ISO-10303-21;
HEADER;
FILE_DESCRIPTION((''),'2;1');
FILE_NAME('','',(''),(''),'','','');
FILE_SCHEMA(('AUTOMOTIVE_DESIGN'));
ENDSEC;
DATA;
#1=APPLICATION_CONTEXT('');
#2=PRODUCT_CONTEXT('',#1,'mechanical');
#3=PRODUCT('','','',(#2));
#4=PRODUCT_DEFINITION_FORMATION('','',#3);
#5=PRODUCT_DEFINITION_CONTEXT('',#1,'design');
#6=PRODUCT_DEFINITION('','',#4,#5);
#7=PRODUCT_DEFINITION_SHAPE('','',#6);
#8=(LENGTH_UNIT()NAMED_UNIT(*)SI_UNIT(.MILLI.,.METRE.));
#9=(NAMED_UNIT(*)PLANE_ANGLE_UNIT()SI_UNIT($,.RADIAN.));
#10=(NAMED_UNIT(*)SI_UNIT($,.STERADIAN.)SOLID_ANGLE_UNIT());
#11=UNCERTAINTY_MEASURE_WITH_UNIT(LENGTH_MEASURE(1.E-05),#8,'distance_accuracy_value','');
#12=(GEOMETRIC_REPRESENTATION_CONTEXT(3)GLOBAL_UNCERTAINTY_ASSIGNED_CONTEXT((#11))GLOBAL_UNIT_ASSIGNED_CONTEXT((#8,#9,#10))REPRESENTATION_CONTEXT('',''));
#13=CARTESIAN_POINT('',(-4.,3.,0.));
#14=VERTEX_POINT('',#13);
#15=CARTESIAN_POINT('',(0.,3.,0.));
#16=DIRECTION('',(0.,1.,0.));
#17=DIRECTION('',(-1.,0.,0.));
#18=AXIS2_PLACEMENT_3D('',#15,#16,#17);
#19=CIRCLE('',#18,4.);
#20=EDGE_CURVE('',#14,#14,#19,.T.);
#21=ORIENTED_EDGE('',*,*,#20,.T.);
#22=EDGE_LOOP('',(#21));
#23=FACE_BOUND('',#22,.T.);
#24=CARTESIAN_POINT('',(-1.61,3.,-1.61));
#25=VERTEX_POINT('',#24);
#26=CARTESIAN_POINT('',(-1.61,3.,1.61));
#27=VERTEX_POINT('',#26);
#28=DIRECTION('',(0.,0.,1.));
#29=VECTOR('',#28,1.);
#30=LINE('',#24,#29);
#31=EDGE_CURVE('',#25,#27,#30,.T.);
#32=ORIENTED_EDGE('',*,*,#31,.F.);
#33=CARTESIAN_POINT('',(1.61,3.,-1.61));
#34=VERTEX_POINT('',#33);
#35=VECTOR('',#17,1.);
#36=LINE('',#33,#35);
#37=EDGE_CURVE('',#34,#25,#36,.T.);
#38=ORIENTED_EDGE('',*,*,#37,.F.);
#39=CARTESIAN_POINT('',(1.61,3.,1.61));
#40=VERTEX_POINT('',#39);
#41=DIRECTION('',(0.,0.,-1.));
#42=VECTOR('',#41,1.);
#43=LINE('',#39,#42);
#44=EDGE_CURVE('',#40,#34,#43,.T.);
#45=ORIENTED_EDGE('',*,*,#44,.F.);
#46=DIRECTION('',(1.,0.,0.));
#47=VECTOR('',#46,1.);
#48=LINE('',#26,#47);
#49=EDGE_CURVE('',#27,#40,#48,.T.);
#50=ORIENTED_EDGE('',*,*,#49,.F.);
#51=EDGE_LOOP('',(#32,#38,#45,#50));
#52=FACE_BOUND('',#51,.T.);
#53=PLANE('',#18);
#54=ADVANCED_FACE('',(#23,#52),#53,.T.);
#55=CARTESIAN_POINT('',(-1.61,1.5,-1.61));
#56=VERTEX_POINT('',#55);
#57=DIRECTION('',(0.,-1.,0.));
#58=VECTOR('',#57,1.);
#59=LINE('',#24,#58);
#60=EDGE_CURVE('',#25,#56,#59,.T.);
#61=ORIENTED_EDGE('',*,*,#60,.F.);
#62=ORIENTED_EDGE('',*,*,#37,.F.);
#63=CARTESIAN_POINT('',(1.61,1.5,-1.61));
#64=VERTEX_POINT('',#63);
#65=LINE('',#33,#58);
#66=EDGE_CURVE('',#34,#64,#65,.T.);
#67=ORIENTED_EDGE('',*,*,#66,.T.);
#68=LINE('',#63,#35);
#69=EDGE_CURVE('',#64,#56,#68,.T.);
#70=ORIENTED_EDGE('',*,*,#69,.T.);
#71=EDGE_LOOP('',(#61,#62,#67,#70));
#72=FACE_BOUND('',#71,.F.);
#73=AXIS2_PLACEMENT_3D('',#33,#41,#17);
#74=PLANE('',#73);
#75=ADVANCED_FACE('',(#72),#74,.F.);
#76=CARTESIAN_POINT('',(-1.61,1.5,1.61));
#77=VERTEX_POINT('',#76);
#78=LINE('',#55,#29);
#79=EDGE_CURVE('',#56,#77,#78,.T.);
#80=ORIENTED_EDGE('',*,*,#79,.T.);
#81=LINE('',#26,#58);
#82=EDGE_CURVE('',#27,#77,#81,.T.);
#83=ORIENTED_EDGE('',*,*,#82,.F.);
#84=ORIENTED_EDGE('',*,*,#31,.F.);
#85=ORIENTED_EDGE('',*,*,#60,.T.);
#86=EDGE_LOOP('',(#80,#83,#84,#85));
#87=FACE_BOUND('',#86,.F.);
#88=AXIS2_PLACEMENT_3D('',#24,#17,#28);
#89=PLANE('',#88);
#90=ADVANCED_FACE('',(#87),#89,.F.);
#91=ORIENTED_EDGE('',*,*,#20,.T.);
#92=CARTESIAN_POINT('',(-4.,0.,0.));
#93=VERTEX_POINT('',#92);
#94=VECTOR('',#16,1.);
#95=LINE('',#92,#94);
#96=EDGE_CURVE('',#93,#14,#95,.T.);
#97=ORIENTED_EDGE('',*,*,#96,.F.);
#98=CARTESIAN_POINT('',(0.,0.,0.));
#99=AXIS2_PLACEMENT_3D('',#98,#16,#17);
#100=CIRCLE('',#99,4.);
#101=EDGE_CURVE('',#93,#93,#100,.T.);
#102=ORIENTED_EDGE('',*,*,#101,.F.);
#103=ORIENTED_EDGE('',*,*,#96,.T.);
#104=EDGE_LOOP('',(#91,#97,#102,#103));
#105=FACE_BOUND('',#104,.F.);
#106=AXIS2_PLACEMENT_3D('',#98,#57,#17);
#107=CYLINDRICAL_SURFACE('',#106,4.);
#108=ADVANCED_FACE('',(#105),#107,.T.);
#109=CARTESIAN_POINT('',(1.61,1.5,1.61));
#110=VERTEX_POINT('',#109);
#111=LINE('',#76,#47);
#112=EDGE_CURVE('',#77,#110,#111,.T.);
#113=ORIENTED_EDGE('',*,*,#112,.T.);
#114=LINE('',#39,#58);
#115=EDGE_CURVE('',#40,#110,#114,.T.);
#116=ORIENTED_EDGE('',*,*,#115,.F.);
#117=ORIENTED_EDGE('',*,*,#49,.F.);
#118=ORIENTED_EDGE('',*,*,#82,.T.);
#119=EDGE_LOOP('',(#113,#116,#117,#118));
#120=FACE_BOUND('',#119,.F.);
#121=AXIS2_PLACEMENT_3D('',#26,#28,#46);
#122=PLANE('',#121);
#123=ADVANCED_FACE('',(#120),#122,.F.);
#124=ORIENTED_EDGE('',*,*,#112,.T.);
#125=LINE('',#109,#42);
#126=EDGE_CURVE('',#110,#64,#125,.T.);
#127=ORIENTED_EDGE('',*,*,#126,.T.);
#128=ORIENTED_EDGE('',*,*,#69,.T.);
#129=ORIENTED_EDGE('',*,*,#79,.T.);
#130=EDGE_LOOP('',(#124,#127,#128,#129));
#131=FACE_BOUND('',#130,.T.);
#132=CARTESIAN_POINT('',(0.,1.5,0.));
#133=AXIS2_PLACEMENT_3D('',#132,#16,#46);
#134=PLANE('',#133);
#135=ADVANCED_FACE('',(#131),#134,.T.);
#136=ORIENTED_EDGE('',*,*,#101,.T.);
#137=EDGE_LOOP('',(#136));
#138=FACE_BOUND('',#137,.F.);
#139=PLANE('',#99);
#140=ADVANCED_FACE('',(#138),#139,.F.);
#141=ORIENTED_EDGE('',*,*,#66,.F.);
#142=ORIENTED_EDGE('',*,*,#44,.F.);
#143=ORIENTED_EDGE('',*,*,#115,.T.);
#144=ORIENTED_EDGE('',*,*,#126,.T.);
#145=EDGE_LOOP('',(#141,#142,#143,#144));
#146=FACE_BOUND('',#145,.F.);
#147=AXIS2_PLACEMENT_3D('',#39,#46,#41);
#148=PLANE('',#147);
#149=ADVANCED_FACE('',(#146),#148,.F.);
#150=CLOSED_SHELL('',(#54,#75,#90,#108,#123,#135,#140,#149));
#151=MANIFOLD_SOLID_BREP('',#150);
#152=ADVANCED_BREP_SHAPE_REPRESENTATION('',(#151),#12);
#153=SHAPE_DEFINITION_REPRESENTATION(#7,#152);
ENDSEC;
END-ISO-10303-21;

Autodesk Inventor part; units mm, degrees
ref_plane "YZ Plane" through (0, 0, 0) normal (1, 0, 0) x (0, 1, 0)
ref_plane "XZ Plane" through (0, 0, 0) normal (0, 1, 0) x (-1, 0, 0)
ref_plane "XY Plane" through (0, 0, 0) normal (0, 0, 1) x (1, 0, 0)
sketch "Sketch1" plane through (0, 0, 0) normal (0, 1, 0) x (-1, 0, 0)
  circle A0 centre (0, 0) radius 4
  dimension "d0" = 8
extrude "Extrusion1" add sketch "Sketch1" along normal blind 3
sketch "Sketch2" plane through (0, 3, 0) normal (0, 1, 0) x (1, 0, 0)
  line L0 (-1.61, -1.61) -> (1.61, -1.61)
  line L1 (1.61, -1.61) -> (1.61, 1.61)
  line L2 (1.61, 1.61) -> (-1.61, 1.61)
  line L3 (-1.61, 1.61) -> (-1.61, -1.61)
  point P0 (0, 0)
  dimension "d3" = 3.22
  dimension "d4" = 1.61
  dimension "d6" = 1.61
extrude "Extrusion2" cut sketch "Sketch2" against normal blind 1.5
equation "\"d4\" = 0.5 * d3"
equation "\"d6\" = 0.5 * d3"
properties part number "Wheel_cap"
